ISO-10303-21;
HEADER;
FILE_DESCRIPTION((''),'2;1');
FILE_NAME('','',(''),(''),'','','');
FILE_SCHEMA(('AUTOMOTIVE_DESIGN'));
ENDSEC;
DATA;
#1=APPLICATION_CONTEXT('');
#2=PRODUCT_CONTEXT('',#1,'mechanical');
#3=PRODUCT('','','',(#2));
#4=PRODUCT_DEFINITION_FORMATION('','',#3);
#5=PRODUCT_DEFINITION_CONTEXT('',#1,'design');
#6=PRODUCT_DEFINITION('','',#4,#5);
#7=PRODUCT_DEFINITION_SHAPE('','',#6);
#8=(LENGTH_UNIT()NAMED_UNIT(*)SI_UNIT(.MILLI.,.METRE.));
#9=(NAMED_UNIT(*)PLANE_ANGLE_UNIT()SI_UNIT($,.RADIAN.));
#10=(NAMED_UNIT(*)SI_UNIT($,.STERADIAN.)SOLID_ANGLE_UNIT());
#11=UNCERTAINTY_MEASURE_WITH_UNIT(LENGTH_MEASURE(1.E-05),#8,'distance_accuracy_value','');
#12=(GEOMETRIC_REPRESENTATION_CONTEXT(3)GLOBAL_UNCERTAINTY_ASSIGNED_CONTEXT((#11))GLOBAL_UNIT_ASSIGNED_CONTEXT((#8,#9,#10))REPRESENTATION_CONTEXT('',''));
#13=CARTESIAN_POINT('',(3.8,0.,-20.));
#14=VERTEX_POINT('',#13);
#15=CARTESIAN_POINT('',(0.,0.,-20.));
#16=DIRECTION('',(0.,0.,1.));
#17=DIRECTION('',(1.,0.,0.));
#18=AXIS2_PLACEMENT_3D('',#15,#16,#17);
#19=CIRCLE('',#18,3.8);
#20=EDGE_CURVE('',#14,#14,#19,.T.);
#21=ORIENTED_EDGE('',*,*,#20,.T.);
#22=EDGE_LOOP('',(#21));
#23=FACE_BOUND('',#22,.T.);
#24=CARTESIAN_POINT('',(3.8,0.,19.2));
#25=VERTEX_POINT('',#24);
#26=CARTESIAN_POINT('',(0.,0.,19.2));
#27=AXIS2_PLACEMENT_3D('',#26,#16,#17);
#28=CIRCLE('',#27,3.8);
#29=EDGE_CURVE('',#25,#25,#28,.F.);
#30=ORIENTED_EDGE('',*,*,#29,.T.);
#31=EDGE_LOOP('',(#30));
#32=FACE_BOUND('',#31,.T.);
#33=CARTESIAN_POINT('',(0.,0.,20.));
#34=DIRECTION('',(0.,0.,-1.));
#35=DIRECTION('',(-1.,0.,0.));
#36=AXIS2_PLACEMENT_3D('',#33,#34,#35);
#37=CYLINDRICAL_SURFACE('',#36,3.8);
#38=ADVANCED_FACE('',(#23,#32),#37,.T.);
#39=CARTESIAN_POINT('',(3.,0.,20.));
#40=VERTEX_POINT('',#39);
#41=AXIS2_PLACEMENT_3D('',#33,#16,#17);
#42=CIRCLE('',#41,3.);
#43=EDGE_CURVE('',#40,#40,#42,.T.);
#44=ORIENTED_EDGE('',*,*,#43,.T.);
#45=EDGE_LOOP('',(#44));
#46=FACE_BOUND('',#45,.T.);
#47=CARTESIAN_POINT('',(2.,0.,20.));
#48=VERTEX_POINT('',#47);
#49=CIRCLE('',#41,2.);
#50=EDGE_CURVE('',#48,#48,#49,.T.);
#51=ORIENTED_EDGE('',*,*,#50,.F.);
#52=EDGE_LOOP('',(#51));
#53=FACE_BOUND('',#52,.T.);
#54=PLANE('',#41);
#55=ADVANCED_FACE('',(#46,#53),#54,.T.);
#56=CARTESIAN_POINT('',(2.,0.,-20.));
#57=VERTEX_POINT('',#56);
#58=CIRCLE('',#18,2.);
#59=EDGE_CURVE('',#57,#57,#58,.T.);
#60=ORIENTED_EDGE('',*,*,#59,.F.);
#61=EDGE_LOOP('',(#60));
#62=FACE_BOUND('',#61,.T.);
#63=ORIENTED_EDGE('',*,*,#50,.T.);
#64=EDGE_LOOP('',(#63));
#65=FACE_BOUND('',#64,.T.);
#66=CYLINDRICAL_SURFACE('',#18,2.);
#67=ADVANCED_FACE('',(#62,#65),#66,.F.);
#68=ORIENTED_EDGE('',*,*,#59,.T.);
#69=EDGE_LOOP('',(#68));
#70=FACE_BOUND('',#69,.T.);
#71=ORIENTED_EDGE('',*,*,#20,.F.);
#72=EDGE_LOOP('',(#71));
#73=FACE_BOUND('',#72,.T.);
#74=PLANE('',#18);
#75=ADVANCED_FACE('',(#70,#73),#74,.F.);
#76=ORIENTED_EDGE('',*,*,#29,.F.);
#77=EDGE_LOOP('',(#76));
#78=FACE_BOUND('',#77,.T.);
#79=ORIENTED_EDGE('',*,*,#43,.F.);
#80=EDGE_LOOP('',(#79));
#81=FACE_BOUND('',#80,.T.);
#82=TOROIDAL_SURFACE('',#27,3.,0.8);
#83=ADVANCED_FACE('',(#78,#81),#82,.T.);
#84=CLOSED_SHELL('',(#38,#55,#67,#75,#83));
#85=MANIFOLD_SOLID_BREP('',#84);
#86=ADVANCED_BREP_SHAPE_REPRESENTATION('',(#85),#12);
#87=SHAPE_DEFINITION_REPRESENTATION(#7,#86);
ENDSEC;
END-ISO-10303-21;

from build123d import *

# Parameters (mm, degrees)
SKETCH1_R               = 3.8
BOSS_EXTRUDE1_DEPTH     = 20
SKETCH2_R               = 2
CUT_EXTRUDE1_DEPTH      = 21
CUT_EXTRUDE1_DEPTH_BACK = 21
FILLET1_R               = 0.8


with BuildPart() as part:
    # Sketch1 → Boss-Extrude1 (new body, symmetric)
    with BuildSketch(Plane.XY):
        Circle(SKETCH1_R)
    extrude(amount=BOSS_EXTRUDE1_DEPTH, both=True)

    # Sketch2 → Cut-Extrude1 (cut, two sides)
    with BuildSketch(Plane.XY) as cut_extrude1_sk:
        Circle(SKETCH2_R)
    extrude(amount=CUT_EXTRUDE1_DEPTH, mode=Mode.SUBTRACT)
    extrude(cut_extrude1_sk.sketch, amount=-CUT_EXTRUDE1_DEPTH_BACK, mode=Mode.SUBTRACT)

    # Fillet1
    fillet1_edges = [part.edges().sort_by_distance(p)[0] for p in [
        (-3.8, 0, 20),
    ]]
    fillet(fillet1_edges, radius=FILLET1_R)


solid = part.part
